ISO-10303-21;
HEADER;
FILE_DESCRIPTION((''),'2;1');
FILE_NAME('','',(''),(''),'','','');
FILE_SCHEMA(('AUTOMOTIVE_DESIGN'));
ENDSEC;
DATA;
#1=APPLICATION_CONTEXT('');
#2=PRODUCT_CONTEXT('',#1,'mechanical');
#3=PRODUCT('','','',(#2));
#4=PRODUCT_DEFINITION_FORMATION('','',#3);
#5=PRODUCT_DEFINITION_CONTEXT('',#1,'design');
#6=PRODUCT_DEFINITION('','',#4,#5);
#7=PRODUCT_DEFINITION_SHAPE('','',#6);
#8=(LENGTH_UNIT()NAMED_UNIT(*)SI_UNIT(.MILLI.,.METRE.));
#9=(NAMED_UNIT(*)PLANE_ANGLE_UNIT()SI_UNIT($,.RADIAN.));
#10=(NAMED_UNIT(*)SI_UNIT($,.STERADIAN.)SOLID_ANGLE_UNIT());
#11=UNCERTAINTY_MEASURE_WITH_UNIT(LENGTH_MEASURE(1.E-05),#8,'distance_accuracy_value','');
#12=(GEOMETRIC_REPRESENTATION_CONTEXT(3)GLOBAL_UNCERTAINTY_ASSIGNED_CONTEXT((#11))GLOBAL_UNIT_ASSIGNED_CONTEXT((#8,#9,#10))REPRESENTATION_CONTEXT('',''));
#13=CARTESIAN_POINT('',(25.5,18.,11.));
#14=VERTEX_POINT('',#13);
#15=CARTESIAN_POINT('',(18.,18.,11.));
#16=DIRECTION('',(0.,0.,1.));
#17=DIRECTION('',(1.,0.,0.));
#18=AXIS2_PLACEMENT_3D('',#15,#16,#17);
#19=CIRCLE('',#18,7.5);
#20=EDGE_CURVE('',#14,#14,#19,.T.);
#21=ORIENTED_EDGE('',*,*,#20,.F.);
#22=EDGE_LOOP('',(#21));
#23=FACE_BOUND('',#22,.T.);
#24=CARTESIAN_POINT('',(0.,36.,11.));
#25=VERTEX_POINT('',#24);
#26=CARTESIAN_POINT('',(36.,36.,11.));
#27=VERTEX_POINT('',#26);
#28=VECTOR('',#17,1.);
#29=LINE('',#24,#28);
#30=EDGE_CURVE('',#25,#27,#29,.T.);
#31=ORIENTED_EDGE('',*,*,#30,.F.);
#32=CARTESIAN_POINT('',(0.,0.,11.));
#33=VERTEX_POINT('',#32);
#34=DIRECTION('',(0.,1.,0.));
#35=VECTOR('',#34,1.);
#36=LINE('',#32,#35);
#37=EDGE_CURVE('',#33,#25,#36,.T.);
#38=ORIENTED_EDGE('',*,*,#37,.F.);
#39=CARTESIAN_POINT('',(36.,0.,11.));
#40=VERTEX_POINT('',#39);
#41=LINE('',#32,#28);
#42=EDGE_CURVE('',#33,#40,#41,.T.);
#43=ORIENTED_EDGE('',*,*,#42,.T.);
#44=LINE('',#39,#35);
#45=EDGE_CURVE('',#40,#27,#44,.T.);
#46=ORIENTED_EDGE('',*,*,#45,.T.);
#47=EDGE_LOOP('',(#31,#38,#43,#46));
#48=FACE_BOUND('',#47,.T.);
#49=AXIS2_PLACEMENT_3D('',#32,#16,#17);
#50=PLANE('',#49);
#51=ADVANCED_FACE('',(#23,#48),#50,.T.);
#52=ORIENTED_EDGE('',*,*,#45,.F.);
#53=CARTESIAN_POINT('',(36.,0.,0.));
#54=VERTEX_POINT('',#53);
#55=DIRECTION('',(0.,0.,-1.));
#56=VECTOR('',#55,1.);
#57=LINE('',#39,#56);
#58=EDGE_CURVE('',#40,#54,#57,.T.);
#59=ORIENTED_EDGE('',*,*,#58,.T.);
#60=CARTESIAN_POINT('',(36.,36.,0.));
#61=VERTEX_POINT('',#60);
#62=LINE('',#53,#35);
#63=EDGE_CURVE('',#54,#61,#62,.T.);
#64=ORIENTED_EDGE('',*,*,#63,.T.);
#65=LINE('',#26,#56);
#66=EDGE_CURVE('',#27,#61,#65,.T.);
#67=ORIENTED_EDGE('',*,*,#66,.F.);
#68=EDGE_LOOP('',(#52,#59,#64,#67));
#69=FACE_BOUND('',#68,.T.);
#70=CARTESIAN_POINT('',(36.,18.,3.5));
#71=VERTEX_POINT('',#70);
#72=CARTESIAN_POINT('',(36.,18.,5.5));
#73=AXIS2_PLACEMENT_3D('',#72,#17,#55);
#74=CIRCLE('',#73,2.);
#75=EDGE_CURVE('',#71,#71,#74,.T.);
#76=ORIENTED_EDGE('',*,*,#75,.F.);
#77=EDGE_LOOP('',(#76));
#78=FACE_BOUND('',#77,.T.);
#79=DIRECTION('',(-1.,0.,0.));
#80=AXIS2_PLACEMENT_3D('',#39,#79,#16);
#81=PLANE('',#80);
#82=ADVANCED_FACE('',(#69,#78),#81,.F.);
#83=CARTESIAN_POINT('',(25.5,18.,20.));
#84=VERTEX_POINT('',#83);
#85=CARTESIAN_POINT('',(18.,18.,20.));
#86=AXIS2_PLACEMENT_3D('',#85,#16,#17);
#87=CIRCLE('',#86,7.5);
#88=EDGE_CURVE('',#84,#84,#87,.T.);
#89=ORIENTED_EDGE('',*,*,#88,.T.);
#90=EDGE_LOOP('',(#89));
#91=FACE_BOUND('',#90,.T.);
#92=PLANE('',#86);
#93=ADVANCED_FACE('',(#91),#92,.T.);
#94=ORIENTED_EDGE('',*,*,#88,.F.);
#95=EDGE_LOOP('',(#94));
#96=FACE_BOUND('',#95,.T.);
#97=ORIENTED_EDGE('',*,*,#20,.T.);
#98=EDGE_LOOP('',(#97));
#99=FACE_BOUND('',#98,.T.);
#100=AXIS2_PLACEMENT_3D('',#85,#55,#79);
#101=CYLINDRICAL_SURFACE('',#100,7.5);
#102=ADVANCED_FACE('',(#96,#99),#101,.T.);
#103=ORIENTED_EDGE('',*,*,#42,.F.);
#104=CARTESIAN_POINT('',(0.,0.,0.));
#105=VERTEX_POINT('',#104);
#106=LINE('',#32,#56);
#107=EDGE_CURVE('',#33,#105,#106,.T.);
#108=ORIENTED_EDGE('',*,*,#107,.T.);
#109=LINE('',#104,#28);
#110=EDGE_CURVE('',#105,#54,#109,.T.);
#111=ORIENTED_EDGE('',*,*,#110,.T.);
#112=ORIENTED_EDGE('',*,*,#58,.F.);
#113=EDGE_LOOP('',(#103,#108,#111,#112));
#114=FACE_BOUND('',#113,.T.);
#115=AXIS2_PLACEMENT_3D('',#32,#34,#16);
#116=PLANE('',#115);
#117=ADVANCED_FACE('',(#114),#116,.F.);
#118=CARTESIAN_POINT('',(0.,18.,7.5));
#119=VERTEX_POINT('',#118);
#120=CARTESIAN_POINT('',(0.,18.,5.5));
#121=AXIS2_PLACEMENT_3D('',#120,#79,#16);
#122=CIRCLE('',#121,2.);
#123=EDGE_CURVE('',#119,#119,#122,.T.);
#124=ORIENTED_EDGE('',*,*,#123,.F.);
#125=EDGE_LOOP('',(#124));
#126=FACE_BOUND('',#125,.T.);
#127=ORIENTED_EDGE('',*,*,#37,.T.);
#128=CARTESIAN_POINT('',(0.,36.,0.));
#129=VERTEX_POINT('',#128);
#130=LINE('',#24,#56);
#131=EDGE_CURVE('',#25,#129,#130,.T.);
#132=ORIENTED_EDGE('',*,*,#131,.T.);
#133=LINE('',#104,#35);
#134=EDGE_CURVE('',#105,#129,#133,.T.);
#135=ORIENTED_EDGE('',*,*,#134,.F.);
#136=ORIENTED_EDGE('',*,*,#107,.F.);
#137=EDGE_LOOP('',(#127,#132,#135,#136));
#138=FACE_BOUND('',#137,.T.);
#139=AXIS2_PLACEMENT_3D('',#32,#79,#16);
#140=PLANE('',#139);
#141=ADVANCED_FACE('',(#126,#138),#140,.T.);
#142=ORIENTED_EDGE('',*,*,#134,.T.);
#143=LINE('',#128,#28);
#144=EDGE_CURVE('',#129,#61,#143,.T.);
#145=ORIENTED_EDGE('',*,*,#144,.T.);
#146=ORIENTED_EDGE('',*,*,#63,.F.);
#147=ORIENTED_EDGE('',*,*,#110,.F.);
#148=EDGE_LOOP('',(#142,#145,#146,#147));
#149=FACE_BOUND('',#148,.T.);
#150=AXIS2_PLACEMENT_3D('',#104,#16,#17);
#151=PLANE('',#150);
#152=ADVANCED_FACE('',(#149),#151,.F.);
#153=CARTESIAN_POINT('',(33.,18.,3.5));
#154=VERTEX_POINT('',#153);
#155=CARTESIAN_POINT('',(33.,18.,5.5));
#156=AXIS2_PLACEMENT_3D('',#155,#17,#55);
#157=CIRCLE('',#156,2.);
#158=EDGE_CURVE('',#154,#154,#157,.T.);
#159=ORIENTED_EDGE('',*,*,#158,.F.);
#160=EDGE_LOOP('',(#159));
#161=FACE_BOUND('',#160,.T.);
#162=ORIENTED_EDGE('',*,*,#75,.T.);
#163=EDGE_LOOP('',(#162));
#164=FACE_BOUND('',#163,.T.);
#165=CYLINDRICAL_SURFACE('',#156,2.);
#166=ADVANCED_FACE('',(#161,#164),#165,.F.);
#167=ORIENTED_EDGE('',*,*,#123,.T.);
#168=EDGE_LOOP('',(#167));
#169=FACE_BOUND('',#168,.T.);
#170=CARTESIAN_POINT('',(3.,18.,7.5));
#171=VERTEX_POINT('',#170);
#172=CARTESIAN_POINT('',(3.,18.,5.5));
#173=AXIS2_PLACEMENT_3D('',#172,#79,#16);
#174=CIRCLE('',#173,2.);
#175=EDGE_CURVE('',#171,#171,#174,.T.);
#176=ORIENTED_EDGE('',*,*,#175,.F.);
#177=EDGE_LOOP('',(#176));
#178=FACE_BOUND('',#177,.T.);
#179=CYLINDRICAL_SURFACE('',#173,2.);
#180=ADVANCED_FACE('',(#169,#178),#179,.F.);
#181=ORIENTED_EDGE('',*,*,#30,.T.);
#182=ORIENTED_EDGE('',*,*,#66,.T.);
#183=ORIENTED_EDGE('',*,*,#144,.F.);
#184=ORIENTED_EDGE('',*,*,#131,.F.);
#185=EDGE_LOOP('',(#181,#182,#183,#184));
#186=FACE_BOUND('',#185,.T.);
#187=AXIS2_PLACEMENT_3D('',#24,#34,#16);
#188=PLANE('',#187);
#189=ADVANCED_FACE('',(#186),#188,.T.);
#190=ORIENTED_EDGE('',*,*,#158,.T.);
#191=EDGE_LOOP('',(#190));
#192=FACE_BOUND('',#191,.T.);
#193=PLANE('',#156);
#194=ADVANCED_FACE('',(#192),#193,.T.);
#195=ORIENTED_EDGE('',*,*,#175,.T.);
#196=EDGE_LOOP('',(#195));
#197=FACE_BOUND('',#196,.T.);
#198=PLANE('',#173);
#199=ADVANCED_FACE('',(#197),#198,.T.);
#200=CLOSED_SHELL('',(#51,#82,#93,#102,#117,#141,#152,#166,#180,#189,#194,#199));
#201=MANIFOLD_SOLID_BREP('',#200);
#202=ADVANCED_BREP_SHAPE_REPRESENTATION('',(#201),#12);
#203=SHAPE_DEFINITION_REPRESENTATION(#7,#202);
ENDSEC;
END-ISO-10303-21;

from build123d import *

# Parameters (mm, degrees)
SKETCH_1_W          = 36
SKETCH_1_H          = 36
SKETCH_1_R          = 7.5
EXTRUDE_1_DEPTH     = 11
EXTRUDE_START       = 11
SKETCH_1_3_R        = 7.5
EXTRUDE_2_DEPTH     = 9
SKETCH_2_R          = 2
CUT_EXTRUDE_1_DEPTH = 3
CUT_EXTRUDE_START   = -33
SKETCH_2_2_R        = 2
CUT_EXTRUDE_2_DEPTH = 3


with BuildPart() as part:
    # 草图1 → 凸台-拉伸1 (new body)
    # profile 1 of 2: a face of its own
    with BuildSketch(Plane.XY):
        with Locations((18, 18)):
            Rectangle(SKETCH_1_W, SKETCH_1_H)
        with Locations((18, 18)):
            Circle(SKETCH_1_R, mode=Mode.SUBTRACT)
    # profile 2 of 2: a face of its own
    with BuildSketch(Plane.XY):
        with Locations((18, 18)):
            Circle(SKETCH_1_R)
    extrude(amount=EXTRUDE_1_DEPTH)

    # 草图1<3> → 凸台-拉伸2 (add)
    with BuildSketch(Plane.XY.offset(EXTRUDE_START)):
        with Locations((18, 18)):
            Circle(SKETCH_1_3_R)
    extrude(amount=EXTRUDE_2_DEPTH)

    # 草图2 → 切除-拉伸1 (cut)
    with BuildSketch(Plane(origin=(36, 0, 0), x_dir=(0, 0, -1), z_dir=(1, 0, 0))):
        with Locations((-5.5, 18)):
            Circle(SKETCH_2_R)
    extrude(amount=-CUT_EXTRUDE_1_DEPTH, mode=Mode.SUBTRACT)

    # 草图2<2> → 切除-拉伸2 (cut)
    with BuildSketch(Plane(origin=(36, 0, 0), x_dir=(0, 0, -1), z_dir=(1, 0, 0)).offset(CUT_EXTRUDE_START)):
        with Locations((-5.5, 18)):
            Circle(SKETCH_2_2_R)
    extrude(amount=-CUT_EXTRUDE_2_DEPTH, mode=Mode.SUBTRACT)


solid = part.part
